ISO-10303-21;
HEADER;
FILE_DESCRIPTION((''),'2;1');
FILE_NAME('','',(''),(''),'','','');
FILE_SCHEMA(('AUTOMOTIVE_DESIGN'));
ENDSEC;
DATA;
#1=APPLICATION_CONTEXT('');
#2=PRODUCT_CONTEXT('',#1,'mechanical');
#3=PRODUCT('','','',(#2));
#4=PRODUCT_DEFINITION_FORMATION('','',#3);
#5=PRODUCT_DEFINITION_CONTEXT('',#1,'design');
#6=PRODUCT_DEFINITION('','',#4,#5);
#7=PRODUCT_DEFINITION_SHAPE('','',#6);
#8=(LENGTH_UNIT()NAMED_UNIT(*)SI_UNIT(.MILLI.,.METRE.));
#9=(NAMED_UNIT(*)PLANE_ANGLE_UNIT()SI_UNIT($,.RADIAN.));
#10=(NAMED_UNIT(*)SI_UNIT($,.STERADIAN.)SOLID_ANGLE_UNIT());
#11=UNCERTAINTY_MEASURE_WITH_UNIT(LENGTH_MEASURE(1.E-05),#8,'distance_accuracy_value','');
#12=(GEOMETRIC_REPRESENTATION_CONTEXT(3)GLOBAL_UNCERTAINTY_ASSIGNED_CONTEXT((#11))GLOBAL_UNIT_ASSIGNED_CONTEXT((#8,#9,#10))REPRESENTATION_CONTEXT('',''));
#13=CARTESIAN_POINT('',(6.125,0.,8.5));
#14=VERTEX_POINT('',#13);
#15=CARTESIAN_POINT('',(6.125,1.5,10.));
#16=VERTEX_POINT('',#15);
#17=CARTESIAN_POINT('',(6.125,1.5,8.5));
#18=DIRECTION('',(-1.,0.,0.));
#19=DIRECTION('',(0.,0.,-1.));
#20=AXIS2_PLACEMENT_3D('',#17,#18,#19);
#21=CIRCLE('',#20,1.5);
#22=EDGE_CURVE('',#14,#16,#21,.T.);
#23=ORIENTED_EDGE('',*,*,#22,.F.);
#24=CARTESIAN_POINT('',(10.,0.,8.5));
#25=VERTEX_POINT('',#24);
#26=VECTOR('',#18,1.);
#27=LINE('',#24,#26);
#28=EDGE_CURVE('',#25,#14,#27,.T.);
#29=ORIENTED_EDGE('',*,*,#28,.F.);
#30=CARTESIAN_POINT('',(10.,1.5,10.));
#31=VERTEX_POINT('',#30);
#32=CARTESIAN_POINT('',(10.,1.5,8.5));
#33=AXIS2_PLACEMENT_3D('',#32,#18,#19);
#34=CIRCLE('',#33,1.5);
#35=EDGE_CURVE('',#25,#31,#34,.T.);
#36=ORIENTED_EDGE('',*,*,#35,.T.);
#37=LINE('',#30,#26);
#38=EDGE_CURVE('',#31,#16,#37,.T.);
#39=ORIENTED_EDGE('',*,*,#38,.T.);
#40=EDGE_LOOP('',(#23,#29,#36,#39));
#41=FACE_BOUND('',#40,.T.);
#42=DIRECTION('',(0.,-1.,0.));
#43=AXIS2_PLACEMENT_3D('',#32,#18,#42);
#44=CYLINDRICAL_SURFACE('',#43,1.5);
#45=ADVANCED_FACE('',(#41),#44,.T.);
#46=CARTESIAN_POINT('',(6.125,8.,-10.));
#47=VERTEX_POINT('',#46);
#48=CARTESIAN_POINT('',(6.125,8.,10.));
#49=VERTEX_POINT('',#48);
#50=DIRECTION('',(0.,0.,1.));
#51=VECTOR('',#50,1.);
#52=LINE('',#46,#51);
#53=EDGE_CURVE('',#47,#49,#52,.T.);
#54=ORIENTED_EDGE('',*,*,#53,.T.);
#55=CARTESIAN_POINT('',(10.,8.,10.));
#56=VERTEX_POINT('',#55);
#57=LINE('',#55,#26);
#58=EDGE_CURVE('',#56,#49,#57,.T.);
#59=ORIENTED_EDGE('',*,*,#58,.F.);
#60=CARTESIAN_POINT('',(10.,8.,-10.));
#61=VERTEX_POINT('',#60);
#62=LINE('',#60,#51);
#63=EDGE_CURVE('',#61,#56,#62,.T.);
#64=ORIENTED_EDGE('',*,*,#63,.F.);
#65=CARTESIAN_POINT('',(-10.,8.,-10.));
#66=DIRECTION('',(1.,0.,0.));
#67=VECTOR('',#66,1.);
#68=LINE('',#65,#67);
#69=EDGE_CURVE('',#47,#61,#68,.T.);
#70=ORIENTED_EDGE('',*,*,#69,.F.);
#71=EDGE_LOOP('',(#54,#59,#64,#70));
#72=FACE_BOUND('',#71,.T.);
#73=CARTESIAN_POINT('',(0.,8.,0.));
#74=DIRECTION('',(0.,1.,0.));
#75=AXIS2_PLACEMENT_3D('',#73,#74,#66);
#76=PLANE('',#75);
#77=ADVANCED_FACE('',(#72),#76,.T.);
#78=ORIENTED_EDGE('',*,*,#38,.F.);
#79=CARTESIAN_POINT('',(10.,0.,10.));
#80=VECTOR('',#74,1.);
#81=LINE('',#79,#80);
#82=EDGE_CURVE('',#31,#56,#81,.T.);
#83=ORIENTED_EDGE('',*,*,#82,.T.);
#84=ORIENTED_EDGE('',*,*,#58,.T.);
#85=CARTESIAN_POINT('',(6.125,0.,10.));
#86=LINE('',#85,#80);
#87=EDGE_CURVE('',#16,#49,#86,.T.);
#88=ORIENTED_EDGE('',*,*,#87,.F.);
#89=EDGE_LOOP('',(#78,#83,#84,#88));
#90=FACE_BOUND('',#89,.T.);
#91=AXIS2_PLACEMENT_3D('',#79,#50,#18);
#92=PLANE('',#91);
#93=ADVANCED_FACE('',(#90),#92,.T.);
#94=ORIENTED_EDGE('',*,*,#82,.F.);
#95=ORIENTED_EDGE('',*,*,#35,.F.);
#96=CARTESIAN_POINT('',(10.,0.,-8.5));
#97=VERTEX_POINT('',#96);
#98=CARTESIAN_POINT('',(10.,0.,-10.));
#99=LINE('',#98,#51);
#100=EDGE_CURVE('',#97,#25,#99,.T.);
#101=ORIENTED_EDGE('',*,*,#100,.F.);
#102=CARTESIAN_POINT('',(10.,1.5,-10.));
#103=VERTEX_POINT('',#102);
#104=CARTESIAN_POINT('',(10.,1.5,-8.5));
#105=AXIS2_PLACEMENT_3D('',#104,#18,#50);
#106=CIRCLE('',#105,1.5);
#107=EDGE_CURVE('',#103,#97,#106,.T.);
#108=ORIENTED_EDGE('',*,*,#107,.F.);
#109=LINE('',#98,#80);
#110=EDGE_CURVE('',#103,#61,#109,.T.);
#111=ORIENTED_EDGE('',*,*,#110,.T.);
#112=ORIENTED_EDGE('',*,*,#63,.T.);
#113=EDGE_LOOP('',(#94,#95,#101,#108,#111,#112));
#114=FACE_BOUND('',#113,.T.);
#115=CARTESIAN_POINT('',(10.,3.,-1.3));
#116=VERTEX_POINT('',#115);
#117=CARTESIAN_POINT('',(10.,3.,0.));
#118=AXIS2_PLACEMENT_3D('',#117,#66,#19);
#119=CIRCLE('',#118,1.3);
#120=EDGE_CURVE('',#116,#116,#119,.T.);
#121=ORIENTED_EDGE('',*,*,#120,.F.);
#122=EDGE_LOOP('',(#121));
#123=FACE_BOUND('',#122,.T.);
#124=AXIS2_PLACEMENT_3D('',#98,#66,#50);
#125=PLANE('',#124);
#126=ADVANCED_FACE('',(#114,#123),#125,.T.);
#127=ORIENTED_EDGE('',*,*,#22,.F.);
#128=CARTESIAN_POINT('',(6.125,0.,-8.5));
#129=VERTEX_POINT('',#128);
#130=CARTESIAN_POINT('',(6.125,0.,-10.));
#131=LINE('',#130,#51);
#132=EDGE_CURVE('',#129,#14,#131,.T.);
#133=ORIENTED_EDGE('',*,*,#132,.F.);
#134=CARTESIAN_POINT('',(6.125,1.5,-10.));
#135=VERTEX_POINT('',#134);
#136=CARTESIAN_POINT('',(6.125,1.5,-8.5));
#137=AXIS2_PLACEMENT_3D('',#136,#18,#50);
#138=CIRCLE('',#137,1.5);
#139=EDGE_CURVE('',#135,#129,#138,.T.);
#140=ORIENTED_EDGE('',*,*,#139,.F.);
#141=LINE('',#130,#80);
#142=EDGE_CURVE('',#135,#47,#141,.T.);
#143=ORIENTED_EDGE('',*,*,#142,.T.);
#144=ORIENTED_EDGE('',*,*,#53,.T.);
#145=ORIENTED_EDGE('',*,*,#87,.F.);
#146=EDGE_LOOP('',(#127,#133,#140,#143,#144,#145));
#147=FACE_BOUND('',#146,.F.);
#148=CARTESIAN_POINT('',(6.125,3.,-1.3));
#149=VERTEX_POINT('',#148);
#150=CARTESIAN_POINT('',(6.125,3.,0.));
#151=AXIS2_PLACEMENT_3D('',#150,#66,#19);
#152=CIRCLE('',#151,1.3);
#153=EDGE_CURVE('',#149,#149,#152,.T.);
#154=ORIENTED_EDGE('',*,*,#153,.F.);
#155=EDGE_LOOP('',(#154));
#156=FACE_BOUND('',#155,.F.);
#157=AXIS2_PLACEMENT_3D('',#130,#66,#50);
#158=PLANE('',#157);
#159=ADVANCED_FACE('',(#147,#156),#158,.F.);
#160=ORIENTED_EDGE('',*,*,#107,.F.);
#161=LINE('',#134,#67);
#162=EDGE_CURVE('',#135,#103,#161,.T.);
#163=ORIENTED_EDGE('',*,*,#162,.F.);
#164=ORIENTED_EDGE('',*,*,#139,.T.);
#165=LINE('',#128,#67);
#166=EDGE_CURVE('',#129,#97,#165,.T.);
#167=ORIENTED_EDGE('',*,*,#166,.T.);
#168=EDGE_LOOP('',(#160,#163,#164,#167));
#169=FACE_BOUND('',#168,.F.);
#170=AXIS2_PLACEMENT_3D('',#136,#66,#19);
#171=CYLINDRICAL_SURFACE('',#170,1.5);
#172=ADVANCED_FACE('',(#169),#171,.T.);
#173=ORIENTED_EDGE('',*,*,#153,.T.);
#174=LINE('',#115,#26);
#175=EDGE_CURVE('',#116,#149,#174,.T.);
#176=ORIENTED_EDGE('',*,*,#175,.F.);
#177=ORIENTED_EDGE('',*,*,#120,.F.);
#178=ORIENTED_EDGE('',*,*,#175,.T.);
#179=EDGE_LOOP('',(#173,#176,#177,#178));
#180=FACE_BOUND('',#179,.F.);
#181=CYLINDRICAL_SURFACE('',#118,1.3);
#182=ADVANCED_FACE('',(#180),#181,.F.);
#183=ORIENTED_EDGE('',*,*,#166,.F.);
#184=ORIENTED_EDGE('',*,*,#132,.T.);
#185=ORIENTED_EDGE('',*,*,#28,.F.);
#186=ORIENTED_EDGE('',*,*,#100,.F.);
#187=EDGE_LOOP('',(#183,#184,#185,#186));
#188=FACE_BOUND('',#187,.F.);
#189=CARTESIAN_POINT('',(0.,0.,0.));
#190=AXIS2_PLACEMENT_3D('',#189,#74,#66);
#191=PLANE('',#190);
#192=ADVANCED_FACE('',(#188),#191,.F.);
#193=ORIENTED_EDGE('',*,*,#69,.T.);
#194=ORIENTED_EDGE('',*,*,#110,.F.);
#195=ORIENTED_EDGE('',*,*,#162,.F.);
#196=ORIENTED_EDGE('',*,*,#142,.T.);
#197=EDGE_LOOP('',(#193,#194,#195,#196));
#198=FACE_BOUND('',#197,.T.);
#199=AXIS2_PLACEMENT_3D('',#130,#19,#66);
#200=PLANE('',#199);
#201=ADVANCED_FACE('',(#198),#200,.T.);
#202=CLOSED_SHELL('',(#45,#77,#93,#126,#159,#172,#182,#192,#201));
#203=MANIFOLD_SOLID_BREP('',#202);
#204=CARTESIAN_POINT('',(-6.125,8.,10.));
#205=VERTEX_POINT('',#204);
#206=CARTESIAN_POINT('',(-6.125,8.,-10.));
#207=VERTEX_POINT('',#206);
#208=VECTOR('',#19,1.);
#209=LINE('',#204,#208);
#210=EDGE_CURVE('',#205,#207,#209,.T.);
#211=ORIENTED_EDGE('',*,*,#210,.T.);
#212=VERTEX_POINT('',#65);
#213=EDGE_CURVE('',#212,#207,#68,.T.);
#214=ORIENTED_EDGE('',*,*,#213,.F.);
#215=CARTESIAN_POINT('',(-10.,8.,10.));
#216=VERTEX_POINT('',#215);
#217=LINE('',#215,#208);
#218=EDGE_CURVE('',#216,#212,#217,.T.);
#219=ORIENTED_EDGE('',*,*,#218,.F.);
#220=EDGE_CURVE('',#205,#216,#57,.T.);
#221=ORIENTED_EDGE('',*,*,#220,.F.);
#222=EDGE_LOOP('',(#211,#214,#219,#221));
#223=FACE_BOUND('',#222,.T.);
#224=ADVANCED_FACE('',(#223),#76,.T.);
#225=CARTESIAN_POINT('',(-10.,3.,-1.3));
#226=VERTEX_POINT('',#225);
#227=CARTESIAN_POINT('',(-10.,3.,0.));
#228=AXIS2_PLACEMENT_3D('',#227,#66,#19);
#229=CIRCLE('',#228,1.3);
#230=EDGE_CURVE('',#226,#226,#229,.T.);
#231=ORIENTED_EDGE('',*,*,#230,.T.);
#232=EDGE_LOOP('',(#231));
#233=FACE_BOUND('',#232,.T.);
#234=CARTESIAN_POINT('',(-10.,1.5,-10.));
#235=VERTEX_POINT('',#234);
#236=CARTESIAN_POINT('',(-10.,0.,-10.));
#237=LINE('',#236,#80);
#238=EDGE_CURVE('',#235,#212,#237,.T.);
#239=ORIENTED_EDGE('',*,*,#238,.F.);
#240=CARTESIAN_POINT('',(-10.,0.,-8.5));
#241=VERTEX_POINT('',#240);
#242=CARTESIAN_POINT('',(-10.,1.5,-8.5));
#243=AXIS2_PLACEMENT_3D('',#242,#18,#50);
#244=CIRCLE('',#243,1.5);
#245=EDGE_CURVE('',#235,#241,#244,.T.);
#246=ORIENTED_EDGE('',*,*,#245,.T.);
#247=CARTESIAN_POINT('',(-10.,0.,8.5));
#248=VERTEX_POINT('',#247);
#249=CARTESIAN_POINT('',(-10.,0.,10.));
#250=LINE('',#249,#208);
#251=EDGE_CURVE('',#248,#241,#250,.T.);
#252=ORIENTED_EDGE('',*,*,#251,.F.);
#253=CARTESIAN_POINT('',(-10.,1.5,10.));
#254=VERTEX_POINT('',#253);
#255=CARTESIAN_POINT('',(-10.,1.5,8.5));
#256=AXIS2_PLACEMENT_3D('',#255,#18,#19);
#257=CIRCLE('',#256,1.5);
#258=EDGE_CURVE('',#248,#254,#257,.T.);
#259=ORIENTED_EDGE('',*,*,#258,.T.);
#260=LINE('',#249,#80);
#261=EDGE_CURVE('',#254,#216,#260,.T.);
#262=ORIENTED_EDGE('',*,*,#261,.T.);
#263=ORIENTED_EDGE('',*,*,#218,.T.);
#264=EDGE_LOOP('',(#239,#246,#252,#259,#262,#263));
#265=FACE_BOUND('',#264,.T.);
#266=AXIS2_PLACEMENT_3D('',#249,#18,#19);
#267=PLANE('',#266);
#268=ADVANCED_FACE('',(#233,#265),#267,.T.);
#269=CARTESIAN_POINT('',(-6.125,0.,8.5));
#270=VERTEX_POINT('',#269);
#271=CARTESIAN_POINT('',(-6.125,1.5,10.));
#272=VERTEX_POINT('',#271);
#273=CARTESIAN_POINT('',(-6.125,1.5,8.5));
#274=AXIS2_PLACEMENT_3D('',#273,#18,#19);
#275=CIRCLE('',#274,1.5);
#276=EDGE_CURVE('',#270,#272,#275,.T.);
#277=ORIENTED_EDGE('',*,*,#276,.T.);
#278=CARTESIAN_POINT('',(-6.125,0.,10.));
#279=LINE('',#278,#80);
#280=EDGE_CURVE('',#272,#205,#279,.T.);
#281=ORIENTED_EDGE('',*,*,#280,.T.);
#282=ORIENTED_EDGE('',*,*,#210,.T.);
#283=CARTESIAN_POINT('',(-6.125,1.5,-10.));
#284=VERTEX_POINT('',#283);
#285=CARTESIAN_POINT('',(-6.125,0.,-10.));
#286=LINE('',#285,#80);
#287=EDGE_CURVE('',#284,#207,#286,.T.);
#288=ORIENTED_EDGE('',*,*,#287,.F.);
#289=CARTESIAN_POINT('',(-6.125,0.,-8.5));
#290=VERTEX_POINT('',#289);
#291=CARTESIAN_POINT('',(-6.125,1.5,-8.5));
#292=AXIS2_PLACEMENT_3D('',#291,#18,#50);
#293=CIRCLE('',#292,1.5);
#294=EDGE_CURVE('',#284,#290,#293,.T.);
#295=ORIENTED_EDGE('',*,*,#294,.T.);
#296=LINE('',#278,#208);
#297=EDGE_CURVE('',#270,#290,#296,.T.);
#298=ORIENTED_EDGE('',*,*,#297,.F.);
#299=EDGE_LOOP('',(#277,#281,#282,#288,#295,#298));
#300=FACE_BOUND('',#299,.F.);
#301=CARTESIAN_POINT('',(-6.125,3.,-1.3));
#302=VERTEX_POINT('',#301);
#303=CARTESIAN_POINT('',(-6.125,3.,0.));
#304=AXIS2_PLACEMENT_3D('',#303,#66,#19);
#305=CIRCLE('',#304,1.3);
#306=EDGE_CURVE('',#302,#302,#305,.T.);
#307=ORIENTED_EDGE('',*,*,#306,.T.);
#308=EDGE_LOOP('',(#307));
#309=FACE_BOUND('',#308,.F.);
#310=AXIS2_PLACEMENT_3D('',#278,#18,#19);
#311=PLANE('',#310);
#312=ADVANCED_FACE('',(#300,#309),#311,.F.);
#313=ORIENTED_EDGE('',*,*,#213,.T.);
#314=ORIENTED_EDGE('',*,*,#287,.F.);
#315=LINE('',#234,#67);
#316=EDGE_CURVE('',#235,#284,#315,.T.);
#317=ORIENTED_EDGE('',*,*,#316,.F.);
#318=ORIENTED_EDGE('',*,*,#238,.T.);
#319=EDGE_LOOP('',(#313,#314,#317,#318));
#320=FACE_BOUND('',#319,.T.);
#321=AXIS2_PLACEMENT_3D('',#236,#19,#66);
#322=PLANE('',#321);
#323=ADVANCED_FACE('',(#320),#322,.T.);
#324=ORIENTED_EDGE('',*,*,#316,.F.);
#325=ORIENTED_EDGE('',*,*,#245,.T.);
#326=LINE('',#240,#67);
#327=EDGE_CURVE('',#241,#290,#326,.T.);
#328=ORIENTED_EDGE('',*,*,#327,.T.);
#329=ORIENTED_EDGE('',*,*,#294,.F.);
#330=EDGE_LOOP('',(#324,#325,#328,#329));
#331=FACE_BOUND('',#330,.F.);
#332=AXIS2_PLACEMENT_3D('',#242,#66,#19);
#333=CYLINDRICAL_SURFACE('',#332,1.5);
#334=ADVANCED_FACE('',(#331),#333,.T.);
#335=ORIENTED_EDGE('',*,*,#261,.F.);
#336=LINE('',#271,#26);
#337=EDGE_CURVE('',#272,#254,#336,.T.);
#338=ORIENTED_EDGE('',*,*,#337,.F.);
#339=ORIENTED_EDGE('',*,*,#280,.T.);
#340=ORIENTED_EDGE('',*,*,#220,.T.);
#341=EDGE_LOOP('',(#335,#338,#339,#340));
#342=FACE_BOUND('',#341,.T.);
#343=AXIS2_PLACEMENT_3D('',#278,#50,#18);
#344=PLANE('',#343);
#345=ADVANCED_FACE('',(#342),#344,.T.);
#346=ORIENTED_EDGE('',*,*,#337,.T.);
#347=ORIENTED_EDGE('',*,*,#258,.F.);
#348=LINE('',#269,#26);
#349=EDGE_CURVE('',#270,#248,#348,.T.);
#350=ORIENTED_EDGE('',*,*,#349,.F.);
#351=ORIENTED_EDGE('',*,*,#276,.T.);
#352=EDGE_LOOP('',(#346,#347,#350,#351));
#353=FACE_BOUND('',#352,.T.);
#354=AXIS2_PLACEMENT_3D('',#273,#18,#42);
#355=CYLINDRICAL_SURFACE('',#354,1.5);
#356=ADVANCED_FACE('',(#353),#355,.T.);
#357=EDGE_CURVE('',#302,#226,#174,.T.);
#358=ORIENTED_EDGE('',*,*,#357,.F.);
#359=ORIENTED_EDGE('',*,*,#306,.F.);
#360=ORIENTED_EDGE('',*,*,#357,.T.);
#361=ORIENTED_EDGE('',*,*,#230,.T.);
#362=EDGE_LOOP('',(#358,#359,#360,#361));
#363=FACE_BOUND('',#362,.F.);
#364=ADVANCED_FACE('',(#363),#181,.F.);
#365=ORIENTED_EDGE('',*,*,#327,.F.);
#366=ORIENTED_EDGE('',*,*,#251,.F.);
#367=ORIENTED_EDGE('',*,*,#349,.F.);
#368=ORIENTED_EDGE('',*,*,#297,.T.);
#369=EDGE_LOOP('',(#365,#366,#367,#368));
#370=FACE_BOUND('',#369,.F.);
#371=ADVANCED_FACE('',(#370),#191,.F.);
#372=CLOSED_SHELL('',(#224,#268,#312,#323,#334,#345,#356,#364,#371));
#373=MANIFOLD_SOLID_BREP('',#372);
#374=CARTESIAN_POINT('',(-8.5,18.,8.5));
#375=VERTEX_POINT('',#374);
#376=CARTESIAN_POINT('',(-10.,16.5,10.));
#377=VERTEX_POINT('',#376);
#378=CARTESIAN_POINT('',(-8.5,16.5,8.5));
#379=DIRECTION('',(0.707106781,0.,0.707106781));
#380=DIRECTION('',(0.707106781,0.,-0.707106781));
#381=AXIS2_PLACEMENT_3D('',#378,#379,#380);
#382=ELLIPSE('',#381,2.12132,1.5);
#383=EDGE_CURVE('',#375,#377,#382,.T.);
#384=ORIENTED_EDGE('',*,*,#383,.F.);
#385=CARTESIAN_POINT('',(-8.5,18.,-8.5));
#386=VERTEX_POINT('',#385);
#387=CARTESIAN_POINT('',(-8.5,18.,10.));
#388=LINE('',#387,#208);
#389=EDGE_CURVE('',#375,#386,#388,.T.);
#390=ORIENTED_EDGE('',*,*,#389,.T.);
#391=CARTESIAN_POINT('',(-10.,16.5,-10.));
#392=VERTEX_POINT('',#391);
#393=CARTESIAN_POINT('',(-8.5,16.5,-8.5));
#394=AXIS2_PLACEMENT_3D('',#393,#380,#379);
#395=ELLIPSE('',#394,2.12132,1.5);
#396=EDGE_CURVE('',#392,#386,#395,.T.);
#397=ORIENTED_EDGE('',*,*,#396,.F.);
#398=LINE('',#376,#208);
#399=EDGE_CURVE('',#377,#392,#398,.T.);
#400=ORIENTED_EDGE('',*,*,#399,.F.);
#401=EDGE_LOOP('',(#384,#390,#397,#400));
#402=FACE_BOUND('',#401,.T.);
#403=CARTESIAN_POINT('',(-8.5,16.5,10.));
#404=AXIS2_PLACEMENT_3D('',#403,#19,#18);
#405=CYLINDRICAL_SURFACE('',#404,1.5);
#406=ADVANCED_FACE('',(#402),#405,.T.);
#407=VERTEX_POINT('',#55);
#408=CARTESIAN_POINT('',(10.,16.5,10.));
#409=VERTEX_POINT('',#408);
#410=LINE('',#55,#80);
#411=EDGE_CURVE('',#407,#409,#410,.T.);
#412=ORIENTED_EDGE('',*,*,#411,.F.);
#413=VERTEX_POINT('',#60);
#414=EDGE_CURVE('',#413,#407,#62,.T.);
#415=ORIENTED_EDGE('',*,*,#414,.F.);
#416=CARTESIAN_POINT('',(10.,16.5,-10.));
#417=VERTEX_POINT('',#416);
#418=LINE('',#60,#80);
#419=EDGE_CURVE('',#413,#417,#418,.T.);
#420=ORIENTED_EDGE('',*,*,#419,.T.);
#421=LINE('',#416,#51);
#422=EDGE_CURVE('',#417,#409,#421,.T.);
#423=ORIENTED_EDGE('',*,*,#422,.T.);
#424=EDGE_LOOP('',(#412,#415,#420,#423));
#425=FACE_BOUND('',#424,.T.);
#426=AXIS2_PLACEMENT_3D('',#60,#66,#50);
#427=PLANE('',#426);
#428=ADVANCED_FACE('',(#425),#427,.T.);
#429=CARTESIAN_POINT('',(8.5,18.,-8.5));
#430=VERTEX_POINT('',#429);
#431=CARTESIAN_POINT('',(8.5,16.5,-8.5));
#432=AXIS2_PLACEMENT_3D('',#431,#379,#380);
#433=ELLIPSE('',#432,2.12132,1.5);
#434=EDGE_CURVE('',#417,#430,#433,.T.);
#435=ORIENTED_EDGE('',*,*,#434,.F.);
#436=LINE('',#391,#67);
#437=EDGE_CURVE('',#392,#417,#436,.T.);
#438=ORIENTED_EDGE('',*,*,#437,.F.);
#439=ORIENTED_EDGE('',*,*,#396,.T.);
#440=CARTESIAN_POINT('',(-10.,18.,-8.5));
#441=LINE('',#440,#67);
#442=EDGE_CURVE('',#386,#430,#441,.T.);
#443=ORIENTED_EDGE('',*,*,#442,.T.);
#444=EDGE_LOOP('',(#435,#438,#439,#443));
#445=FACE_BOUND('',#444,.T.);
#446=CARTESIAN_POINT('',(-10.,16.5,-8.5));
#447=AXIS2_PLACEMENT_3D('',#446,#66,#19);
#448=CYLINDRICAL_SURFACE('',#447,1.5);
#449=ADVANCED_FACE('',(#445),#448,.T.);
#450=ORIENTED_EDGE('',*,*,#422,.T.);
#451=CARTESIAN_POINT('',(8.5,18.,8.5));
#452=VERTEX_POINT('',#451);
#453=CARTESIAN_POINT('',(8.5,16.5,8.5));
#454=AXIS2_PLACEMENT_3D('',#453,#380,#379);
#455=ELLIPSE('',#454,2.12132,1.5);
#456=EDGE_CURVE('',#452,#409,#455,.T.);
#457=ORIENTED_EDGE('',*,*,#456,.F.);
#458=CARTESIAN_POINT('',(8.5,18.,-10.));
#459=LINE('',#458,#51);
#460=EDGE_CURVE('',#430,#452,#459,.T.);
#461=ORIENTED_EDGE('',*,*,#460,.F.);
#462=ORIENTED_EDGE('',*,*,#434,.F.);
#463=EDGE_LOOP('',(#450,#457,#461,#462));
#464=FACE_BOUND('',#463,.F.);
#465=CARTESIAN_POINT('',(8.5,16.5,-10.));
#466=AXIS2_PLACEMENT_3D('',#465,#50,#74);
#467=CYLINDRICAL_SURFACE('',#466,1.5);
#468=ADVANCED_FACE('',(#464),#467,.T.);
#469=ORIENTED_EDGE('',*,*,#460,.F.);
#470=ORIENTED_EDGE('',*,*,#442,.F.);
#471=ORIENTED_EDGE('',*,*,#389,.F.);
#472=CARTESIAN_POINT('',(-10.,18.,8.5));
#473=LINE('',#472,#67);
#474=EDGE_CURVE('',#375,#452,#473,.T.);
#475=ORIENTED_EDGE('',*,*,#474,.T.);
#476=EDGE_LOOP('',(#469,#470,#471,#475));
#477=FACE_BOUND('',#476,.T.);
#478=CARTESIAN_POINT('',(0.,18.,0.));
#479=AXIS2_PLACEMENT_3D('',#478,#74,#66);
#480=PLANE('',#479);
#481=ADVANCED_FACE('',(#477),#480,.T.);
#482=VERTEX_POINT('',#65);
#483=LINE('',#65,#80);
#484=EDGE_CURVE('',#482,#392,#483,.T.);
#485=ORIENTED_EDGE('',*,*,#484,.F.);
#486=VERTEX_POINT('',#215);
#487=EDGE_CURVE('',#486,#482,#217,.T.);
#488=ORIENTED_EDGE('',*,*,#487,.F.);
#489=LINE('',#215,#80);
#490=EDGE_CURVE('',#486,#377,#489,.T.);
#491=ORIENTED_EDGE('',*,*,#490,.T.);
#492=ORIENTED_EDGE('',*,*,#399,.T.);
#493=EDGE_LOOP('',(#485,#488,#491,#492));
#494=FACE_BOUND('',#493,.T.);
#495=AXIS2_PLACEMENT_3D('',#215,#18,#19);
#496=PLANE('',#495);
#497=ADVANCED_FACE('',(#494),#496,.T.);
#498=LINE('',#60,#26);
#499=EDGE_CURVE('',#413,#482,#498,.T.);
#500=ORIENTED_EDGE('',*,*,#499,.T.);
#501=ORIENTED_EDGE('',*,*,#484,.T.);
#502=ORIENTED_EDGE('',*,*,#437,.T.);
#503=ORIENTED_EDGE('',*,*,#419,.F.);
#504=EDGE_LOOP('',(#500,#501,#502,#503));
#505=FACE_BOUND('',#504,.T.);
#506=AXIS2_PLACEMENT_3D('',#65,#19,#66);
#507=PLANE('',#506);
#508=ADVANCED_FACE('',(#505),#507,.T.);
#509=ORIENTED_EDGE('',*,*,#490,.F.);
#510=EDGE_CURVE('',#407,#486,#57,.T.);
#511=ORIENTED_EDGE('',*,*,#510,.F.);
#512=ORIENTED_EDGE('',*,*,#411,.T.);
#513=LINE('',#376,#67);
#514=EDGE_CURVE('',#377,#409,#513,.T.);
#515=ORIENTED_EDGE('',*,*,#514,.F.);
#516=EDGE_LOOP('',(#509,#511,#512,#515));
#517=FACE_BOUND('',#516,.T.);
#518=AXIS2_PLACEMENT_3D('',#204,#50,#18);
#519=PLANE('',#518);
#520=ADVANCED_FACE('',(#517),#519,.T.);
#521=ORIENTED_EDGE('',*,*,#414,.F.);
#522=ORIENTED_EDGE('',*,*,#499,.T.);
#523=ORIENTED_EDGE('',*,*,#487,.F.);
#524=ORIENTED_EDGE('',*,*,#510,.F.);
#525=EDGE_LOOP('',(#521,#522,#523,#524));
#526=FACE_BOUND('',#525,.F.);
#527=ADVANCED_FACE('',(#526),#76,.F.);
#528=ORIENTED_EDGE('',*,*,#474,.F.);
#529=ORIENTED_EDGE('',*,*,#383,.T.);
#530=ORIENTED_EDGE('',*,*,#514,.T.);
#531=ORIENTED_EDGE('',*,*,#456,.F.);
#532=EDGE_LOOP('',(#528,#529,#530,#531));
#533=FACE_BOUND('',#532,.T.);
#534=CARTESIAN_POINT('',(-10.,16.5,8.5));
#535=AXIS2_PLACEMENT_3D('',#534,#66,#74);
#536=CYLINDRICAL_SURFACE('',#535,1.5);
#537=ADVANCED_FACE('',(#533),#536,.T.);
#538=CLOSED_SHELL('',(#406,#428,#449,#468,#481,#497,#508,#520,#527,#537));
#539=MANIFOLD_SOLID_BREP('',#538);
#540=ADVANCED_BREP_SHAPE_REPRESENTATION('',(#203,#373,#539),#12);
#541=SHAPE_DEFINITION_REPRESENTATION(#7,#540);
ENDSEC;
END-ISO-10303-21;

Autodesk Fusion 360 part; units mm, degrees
sketch "Sketch1" plane through (0, 0, 0) normal (0, 1, 0) x (1, 0, 0)
  line L0 (-10, 10) -> (10, 10)
  line L1 (10, 10) -> (10, -10)
  line L2 (10, -10) -> (-10, -10)
  line L3 (-10, -10) -> (-10, 10)
  line L4 (-10, 10) -> (10, -10) construction
  line L5 (10, 10) -> (-10, -10) construction
  line L6 (-6.125, 10) -> (6.125, 10)
  line L7 (6.125, 10) -> (6.125, -10)
  line L8 (6.125, -10) -> (-6.125, -10)
  line L9 (-6.125, -10) -> (-6.125, 10)
  line L10 (-6.125, 10) -> (6.125, -10) construction
  line L11 (6.125, 10) -> (-6.125, -10) construction
  dimension "d1" = 20
  dimension "d2" = 20
  dimension "d3" = 12.25
extrude "Extrude1" add sketch "Sketch1" along normal blind 8 contours L0 L2 L3 L9 | L0 L1 L2 L7 makes body 1 at (-10, 5.3333, 3.3333) makes body 2 at (10, 5.3333, -3.3333)
extrude "Extrude2" add sketch "Sketch1" along normal blind 10 from surface at 8 separate body makes body 3
sketch "Sketch2" plane through (10, 0, 0) normal (1, 0, 0) x (0, 0, -1)
  line L0 (-10, 0) -> (10, 0)
  line L1 (10, 0) -> (10, 8)
  line L2 (10, 8) -> (-10, 8)
  line L3 (-10, 8) -> (-10, 0)
  circle A0 centre (0, 3) radius 1.3
  dimension "d9" = 2.6
  dimension "d11" = 3
extrude "Extrude3" cut sketch "Sketch2" along normal through all and the other way through all contours A0 bodies 1 2
fillet "Fillet1" radius 1.5 4 edges at (-8.0625, 0, 10) (-8.0625, 0, -10) (8.0625, 0, 10) (8.0625, 0, -10) on bodies 1 2
fillet "Fillet2" radius 1.5 4 edges at (0, 18, 10) (0, 18, -10) (-10, 18, 0) (10, 18, 0) on bodies 3
